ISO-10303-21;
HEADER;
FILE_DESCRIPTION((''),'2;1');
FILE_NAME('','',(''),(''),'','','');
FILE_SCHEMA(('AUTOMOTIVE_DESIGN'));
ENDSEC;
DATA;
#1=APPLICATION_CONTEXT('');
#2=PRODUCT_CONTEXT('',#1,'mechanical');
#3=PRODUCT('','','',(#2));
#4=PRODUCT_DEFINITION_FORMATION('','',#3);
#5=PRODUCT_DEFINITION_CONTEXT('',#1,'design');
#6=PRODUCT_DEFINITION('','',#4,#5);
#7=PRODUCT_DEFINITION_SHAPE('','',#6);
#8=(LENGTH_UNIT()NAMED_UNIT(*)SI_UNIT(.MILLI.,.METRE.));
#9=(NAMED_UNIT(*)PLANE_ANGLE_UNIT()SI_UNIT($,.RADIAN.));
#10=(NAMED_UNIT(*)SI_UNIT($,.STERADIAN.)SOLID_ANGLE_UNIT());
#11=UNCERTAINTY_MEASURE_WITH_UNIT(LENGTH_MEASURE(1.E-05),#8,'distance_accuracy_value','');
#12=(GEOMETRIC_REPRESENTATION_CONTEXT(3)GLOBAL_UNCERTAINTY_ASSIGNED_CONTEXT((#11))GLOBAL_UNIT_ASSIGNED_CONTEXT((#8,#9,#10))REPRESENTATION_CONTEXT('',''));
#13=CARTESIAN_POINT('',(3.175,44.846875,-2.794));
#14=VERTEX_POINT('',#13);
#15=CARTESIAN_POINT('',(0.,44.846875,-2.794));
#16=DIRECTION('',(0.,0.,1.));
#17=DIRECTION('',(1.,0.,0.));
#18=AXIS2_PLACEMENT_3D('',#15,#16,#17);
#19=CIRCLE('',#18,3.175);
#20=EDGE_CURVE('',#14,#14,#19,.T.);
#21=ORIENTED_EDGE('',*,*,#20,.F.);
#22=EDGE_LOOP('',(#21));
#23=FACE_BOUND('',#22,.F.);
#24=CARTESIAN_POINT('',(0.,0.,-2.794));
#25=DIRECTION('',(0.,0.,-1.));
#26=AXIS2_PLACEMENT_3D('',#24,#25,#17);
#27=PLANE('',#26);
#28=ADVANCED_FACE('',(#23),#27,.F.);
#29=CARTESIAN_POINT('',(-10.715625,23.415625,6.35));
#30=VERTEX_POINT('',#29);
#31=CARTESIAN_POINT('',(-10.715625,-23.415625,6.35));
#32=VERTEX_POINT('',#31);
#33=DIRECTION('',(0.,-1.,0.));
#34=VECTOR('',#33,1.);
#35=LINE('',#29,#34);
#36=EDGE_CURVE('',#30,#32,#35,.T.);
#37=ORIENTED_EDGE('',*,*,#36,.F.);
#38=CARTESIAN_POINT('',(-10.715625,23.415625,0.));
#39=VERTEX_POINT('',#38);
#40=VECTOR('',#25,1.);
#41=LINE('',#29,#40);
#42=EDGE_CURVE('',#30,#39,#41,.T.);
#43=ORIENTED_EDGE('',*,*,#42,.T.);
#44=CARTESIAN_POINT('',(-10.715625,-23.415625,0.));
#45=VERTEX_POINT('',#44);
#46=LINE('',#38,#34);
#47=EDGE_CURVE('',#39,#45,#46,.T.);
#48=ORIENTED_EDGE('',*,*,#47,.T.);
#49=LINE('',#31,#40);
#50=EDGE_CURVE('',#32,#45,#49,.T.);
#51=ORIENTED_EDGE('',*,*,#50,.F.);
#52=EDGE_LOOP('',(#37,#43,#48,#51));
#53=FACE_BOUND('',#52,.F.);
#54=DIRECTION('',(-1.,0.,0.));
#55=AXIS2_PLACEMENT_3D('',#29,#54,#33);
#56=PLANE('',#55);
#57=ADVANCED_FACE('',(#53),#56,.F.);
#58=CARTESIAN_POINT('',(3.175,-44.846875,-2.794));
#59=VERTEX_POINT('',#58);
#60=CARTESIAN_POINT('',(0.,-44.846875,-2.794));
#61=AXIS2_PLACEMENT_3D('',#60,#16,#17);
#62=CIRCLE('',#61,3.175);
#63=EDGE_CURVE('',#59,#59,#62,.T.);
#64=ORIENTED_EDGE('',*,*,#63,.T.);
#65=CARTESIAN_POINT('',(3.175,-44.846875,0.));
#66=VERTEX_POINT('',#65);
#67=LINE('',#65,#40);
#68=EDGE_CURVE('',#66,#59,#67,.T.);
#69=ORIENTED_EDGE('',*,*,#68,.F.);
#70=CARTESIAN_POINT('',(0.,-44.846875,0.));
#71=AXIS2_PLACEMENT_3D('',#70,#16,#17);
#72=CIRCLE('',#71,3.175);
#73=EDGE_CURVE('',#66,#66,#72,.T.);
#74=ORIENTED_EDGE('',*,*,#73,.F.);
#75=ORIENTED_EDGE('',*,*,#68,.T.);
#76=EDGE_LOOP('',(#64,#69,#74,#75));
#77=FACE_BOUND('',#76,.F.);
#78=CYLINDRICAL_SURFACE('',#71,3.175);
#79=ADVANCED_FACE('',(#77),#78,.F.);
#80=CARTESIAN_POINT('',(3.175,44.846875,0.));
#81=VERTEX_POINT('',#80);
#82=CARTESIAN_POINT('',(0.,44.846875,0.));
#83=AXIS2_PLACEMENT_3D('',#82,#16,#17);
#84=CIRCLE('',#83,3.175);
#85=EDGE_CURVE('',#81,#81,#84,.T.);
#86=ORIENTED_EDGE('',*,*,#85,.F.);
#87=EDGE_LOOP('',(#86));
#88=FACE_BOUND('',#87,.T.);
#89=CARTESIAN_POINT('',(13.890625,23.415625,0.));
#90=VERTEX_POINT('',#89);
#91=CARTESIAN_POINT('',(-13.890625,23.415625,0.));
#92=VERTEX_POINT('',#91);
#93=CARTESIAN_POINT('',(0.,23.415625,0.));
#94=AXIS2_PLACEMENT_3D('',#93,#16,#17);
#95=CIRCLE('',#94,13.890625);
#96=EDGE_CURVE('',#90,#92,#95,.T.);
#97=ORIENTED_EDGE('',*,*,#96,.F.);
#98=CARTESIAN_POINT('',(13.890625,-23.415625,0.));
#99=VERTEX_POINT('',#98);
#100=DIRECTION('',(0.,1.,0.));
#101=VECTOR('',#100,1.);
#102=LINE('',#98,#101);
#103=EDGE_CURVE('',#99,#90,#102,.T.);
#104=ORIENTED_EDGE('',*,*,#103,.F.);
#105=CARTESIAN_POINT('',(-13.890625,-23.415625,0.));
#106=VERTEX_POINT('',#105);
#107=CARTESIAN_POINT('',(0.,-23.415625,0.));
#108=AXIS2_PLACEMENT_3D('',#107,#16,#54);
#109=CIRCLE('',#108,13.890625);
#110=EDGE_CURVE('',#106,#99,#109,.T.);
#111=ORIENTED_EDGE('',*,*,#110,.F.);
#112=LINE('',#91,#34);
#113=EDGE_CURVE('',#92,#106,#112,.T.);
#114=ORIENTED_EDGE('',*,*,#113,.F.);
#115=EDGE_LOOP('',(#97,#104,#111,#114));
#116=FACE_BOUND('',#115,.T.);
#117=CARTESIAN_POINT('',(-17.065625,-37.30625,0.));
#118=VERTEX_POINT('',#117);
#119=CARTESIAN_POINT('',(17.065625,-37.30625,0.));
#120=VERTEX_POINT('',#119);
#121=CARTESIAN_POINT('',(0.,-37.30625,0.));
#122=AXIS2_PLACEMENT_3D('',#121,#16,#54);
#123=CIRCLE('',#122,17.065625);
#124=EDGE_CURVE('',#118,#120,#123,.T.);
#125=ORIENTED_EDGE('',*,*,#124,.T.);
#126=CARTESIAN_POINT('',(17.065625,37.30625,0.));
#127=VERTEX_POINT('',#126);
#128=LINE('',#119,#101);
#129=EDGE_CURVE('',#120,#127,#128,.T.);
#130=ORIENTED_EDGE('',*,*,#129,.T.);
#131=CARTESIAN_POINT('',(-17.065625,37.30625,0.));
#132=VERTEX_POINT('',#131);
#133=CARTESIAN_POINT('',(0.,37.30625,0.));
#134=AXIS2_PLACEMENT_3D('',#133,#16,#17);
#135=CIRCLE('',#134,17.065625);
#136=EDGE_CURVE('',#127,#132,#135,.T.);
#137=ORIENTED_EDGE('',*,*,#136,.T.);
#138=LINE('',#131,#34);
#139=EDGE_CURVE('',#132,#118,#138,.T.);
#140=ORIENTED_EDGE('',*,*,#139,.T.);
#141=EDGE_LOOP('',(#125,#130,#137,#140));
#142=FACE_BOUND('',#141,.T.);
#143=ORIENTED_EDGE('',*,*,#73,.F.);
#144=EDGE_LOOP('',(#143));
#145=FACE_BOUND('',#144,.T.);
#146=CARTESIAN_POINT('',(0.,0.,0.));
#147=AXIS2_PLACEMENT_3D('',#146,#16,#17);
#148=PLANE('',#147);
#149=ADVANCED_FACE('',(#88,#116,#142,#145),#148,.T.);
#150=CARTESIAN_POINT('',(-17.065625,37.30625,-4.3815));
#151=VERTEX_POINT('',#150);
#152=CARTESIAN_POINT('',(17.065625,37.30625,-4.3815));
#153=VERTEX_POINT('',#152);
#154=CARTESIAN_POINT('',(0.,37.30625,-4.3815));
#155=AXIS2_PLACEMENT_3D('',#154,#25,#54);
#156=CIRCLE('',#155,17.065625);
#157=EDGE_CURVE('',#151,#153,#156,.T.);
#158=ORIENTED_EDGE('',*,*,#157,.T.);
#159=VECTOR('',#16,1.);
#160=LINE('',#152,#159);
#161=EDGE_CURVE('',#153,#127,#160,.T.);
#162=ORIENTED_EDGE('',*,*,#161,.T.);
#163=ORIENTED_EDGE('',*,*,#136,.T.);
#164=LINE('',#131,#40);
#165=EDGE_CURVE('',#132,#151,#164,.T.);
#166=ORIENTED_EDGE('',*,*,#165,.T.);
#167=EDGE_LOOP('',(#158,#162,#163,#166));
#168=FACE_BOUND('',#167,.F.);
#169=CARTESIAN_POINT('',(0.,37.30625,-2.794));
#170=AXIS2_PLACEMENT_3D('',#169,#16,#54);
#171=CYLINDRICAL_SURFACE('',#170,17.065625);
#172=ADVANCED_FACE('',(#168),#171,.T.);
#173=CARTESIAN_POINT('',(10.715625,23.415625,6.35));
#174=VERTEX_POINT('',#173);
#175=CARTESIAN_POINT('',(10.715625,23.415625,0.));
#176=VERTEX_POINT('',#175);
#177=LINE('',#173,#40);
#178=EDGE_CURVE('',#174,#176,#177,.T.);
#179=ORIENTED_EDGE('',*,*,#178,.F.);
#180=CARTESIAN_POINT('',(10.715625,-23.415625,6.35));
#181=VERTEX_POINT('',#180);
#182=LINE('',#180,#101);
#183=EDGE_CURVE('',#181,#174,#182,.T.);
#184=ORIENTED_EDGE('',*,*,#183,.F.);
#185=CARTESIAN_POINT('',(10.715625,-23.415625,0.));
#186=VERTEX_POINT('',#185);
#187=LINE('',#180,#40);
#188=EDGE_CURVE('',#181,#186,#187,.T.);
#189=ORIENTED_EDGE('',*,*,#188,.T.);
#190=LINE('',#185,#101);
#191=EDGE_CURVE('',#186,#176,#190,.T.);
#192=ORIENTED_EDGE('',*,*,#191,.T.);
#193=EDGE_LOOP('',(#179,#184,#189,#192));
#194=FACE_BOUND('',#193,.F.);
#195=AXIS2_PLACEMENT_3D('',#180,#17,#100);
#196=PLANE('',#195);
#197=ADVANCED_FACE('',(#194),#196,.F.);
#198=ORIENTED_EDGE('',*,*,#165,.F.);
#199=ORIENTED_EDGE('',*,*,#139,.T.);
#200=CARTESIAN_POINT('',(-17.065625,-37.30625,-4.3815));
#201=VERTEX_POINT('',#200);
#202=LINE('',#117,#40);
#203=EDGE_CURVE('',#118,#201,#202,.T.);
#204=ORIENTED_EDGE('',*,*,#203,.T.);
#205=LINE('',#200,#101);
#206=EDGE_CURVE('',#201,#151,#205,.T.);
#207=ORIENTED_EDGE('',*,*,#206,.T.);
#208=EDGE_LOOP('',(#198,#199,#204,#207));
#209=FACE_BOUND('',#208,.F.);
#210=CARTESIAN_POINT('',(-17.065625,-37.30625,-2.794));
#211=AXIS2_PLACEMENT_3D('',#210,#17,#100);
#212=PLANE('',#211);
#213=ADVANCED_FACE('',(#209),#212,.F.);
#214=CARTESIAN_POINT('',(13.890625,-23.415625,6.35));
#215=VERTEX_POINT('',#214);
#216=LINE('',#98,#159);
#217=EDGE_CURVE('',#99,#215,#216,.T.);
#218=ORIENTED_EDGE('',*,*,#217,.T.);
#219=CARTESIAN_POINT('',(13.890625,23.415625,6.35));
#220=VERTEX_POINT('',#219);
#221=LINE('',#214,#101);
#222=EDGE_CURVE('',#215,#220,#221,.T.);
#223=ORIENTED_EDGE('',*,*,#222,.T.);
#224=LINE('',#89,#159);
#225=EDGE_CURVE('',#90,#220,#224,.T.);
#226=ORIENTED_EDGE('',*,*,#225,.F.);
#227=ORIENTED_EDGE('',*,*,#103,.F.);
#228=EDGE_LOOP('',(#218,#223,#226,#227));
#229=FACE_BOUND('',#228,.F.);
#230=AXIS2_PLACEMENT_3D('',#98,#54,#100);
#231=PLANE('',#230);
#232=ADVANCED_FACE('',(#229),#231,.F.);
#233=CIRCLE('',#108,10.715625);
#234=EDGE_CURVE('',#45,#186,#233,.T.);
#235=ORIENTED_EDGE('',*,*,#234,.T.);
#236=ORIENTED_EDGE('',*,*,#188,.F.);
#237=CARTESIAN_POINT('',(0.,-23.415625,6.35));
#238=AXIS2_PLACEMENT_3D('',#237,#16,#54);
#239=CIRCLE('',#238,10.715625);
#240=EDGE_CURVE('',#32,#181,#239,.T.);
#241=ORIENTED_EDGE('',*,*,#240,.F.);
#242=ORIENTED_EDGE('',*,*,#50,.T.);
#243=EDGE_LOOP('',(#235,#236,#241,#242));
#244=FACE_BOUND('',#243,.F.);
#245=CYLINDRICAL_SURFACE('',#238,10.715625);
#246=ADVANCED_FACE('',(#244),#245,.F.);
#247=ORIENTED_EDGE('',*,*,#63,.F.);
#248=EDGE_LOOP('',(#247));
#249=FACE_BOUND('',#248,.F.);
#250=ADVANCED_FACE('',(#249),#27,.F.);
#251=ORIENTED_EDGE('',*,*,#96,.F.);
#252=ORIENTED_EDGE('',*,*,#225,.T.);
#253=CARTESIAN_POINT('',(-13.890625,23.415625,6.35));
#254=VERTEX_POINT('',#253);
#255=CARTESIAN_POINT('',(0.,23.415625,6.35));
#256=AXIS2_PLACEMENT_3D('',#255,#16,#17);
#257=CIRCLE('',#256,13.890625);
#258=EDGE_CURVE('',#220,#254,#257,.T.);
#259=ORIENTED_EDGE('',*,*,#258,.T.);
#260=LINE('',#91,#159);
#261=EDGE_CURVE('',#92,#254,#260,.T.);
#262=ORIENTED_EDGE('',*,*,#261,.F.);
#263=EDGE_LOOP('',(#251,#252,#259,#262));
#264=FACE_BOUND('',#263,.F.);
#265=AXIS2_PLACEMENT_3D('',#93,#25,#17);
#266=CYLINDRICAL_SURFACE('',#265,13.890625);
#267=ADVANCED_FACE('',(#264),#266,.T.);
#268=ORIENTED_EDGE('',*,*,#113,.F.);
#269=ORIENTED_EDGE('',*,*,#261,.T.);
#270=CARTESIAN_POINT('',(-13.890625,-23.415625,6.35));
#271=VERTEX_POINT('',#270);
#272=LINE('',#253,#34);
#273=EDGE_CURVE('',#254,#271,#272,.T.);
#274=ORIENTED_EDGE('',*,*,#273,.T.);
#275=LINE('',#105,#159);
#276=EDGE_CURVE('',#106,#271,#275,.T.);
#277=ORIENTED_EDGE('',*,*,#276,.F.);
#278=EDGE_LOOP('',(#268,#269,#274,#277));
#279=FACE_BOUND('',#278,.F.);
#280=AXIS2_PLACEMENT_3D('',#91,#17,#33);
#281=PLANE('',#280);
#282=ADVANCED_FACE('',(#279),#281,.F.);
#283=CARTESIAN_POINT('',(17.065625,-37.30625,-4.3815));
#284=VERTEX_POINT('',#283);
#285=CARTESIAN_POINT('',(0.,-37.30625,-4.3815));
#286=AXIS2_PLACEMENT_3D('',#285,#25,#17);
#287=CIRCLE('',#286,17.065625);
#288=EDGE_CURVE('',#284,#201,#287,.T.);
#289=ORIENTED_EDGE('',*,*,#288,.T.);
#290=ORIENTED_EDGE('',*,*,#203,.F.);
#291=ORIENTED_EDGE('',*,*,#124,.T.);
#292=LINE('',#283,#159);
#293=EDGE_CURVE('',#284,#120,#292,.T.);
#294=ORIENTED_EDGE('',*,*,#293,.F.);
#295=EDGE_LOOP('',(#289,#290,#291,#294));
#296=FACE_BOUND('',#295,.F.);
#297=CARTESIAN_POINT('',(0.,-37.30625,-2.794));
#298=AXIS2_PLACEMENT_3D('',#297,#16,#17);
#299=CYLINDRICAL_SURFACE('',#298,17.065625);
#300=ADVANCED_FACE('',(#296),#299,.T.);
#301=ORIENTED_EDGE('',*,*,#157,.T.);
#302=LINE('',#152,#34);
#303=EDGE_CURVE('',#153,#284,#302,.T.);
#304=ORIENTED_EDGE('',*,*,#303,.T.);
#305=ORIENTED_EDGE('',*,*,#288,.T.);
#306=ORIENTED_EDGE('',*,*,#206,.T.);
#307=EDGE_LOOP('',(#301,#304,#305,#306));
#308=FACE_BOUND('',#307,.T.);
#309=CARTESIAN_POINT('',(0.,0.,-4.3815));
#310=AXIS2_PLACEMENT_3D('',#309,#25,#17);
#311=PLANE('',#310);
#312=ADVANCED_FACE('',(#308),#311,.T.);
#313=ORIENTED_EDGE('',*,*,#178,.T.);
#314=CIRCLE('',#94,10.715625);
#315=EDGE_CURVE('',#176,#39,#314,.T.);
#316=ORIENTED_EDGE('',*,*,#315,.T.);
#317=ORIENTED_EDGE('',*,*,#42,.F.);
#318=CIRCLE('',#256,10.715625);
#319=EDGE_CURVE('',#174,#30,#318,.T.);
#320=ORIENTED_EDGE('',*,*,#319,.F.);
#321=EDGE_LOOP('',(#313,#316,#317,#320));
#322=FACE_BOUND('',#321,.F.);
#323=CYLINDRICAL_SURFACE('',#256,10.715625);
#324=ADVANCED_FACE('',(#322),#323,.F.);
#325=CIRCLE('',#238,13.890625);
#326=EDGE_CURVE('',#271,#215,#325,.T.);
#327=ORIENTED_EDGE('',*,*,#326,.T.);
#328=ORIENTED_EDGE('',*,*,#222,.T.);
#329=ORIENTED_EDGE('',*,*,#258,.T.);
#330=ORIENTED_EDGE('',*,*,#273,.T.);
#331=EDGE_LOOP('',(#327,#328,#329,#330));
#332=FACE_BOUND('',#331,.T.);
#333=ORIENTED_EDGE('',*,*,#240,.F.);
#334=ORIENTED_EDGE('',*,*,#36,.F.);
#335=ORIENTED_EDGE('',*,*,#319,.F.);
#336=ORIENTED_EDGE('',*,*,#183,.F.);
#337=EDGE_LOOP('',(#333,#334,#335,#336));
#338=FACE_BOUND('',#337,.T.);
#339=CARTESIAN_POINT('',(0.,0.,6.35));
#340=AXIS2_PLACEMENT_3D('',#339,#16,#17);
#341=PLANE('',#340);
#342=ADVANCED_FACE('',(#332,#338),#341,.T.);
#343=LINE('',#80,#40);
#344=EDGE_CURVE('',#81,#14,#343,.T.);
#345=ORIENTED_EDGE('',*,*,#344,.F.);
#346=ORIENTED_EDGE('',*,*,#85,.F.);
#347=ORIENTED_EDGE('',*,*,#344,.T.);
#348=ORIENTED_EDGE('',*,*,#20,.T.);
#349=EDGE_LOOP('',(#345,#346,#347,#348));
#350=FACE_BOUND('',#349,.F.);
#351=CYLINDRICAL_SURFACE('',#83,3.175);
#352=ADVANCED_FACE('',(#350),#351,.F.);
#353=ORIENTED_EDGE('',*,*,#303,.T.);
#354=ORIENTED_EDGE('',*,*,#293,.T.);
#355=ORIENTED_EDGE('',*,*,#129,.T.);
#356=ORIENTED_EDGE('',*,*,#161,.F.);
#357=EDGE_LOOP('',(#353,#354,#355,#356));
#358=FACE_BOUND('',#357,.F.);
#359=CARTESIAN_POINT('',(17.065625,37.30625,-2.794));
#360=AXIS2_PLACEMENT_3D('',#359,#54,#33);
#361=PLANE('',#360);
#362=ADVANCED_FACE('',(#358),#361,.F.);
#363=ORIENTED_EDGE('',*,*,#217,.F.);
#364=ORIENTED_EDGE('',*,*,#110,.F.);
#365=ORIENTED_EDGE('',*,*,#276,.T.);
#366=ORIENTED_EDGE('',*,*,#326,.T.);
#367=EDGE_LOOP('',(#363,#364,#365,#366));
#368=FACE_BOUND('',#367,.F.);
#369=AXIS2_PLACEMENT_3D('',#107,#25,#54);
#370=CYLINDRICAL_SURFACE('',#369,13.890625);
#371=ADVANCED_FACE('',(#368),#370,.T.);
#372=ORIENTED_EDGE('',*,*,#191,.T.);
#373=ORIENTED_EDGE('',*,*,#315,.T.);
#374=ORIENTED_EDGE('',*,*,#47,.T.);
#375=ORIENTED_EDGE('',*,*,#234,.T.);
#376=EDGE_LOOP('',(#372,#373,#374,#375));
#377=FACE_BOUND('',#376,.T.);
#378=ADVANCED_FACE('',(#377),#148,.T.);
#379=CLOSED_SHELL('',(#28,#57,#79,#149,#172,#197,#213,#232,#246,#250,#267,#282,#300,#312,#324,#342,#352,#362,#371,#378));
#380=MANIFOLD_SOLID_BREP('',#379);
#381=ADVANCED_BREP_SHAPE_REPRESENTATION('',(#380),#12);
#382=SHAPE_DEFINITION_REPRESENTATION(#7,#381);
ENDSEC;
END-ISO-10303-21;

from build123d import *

# Parameters (mm, degrees)
F1_DEPTH = 6.35
F0_R     = 3.175
F2_DEPTH = 2.794
F4_DEPTH = 1.5875
F6_DEPTH = 6.35


with BuildPart() as f1:
    # F0 (on Top) → F1 (new body)
    with BuildSketch(Plane.XY):
        with BuildLine():
            ThreePointArc((13.890625, 23.415625), (0, 37.30625), (-13.890625, 23.415625))
            Line((-13.890625, 23.415625), (-13.890625, -23.415625))
            ThreePointArc((-13.890625, -23.415625), (0, -37.30625), (13.890625, -23.415625))
            Line((13.890625, -23.415625), (13.890625, 23.415625))
        make_face()
    extrude(amount=F1_DEPTH)

    # F0 (on Top) → F2 (join)
    with BuildSketch(Plane.XY):
        with BuildLine():
            ThreePointArc((17.065625, 37.30625), (0, 54.371875), (-17.065625, 37.30625))
            Line((-17.065625, 37.30625), (-17.065625, -37.30625))
            ThreePointArc((-17.065625, -37.30625), (0, -54.371875), (17.065625, -37.30625))
            Line((17.065625, -37.30625), (17.065625, 37.30625))
        make_face()
        with Locations((0, -44.846875)):
            Circle(F0_R, mode=Mode.SUBTRACT)
        with BuildLine():
            Line((-13.890625, -23.415625), (-13.890625, 23.415625))
            ThreePointArc((-13.890625, 23.415625), (0, 37.30625), (13.890625, 23.415625))
            Line((13.890625, 23.415625), (13.890625, -23.415625))
            ThreePointArc((13.890625, -23.415625), (0, -37.30625), (-13.890625, -23.415625))
        make_face(mode=Mode.SUBTRACT)
        with Locations((0, 44.846875)):
            Circle(F0_R, mode=Mode.SUBTRACT)
        with BuildLine():
            ThreePointArc((13.890625, 23.415625), (0, 37.30625), (-13.890625, 23.415625))
            Line((-13.890625, 23.415625), (-13.890625, -23.415625))
            ThreePointArc((-13.890625, -23.415625), (0, -37.30625), (13.890625, -23.415625))
            Line((13.890625, -23.415625), (13.890625, 23.415625))
        make_face()
    extrude(amount=-F2_DEPTH)

    # F3 (on face) → F4 (join)
    with BuildSketch(Plane(origin=(0, 0, -2.794), x_dir=(1, 0, 0), z_dir=(0, 0, -1))):
        with BuildLine():
            ThreePointArc((17.065625, 37.30625), (0, 54.371875), (-17.065625, 37.30625))
            Line((-17.065625, 37.30625), (-17.065625, -37.30625))
            ThreePointArc((-17.065625, -37.30625), (0, -54.371875), (17.065625, -37.30625))
            Line((17.065625, -37.30625), (17.065625, 37.30625))
        make_face()
    extrude(amount=F4_DEPTH)

    # F5 (on face) → F6 (cut, through all)
    with BuildSketch(Plane.XY.offset(6.35)):
        with BuildLine():
            ThreePointArc((10.715625, 23.415625), (0, 34.13125), (-10.715625, 23.415625))
            Line((-10.715625, 23.415625), (-10.715625, -23.415625))
            ThreePointArc((-10.715625, -23.415625), (0, -34.13125), (10.715625, -23.415625))
            Line((10.715625, -23.415625), (10.715625, 23.415625))
        make_face()
    extrude(amount=-F6_DEPTH, mode=Mode.SUBTRACT)


solid = f1.part
